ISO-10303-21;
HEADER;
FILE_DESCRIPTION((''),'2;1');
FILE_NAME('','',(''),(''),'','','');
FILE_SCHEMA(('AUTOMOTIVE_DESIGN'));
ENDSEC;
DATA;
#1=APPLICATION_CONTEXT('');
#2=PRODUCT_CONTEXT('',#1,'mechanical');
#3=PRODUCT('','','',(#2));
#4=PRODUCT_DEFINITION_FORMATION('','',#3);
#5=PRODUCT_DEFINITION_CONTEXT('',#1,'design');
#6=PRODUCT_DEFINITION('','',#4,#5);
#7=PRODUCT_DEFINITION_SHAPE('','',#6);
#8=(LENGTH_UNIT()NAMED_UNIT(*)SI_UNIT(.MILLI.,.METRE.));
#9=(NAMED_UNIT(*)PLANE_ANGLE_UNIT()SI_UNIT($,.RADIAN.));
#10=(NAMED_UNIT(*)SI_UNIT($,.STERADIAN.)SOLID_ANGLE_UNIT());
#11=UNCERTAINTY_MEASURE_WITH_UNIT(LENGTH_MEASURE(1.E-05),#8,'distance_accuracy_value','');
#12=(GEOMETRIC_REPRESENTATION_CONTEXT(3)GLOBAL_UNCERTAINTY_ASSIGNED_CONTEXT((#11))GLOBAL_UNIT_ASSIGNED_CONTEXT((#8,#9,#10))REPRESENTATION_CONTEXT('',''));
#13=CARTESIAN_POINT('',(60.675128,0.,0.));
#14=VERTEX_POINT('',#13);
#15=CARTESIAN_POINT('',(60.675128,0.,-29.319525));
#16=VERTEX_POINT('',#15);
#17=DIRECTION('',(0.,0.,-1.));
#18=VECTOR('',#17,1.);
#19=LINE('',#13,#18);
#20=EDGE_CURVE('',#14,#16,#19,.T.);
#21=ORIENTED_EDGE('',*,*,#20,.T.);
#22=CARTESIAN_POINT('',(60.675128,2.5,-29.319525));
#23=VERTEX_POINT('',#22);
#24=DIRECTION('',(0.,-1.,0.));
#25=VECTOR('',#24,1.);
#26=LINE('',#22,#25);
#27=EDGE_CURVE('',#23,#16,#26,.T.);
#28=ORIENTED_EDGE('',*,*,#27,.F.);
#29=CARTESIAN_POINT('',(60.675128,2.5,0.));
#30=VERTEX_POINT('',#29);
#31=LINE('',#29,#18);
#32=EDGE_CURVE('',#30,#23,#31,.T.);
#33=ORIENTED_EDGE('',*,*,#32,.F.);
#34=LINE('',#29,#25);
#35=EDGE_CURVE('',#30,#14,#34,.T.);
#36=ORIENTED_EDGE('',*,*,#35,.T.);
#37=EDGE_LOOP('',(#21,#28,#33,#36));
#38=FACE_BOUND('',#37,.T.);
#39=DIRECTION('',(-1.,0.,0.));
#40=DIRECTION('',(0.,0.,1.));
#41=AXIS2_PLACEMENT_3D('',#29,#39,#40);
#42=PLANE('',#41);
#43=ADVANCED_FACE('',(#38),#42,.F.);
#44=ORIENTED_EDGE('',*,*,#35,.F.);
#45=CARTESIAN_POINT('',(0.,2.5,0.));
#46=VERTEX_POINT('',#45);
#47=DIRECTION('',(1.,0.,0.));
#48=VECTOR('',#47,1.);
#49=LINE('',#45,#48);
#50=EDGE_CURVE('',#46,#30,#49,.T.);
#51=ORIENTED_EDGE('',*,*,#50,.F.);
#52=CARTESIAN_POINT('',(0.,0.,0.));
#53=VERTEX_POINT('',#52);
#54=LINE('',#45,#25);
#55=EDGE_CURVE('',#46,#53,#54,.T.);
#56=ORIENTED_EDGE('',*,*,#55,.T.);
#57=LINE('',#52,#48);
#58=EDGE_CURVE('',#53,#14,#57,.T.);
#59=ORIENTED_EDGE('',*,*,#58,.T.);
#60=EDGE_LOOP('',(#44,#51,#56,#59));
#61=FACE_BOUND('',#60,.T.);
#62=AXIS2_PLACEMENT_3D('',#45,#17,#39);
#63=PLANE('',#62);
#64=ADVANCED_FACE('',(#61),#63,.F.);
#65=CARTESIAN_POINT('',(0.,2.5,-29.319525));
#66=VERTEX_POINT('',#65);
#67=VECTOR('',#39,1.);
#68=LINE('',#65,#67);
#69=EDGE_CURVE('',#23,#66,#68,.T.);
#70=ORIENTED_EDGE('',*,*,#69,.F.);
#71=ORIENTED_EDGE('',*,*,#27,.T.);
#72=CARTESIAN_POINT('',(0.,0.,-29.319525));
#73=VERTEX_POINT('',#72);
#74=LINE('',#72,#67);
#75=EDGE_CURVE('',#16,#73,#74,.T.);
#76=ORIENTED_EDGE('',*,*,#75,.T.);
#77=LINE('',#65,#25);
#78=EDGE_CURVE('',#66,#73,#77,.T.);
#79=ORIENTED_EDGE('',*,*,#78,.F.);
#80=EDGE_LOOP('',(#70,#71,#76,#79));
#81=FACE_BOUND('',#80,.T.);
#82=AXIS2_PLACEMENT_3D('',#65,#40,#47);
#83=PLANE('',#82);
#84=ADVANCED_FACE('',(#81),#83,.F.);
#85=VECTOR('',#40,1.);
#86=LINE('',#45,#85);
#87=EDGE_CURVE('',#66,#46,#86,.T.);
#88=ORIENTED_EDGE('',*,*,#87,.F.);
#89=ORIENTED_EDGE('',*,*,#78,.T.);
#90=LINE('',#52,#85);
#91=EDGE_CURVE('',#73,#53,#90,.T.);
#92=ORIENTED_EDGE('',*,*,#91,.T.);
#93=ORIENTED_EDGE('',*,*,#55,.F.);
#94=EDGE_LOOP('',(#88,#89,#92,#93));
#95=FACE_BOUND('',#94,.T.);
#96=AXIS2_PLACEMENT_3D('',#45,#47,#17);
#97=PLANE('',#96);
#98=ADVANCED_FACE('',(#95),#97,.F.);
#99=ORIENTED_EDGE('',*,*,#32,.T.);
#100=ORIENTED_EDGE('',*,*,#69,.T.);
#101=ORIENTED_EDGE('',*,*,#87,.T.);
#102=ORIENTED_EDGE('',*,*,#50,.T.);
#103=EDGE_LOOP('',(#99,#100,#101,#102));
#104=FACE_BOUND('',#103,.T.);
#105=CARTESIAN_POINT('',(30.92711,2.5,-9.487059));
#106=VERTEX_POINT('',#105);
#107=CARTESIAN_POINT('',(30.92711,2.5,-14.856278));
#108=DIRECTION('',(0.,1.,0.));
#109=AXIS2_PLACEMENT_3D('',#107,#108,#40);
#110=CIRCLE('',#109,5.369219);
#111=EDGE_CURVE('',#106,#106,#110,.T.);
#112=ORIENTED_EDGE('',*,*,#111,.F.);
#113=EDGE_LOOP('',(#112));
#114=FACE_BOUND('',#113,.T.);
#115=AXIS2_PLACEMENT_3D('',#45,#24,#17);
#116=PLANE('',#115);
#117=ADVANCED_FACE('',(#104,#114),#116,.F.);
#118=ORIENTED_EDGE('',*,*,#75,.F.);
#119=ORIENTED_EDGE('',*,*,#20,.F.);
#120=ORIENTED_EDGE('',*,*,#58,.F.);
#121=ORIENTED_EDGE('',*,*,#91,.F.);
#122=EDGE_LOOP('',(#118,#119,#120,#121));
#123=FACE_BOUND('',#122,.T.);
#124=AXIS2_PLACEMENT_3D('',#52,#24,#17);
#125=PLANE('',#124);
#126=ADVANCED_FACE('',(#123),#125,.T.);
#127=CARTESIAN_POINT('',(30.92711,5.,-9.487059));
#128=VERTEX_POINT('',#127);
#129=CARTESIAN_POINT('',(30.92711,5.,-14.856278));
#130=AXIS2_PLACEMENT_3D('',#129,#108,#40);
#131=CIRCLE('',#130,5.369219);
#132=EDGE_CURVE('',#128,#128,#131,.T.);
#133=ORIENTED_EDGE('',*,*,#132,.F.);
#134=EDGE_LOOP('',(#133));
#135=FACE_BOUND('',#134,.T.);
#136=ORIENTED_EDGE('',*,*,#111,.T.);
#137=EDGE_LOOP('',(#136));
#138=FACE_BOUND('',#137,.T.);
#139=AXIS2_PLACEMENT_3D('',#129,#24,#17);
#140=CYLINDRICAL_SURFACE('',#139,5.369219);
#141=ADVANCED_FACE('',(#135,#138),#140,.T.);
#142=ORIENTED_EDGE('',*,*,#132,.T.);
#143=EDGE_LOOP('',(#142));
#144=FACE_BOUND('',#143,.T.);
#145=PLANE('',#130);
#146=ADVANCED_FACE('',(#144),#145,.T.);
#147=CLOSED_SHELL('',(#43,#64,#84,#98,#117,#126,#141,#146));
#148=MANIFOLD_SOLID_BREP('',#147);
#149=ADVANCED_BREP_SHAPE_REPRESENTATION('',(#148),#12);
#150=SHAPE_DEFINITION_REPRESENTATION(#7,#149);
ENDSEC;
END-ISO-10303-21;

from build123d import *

# Parameters (mm, degrees)
SKETCH1_W           = 60.675127928
SKETCH1_H           = 29.319524905
BOSS_EXTRUDE1_DEPTH = 2.5
SKETCH2_R           = 5.369219063
BOSS_EXTRUDE2_DEPTH = 2.5


with BuildPart() as part:
    # Sketch1 → Boss-Extrude1 (new body)
    with BuildSketch(Plane(origin=(0, 0, 0), x_dir=(1, 0, 0), z_dir=(0, 1, 0))):
        with Locations((30.337563964, 14.659762453)):
            Rectangle(SKETCH1_W, SKETCH1_H)
    extrude(amount=BOSS_EXTRUDE1_DEPTH)

    # Sketch2 → Boss-Extrude2 (add)
    with BuildSketch(Plane(origin=(0, 2.5, 0), x_dir=(1, 0, 0), z_dir=(0, 1, 0))):
        with Locations(Location((30.927109659, 14.856277684, 0), (0, 0, 270))):
            Circle(SKETCH2_R)
    extrude(amount=BOSS_EXTRUDE2_DEPTH)


solid = part.part
